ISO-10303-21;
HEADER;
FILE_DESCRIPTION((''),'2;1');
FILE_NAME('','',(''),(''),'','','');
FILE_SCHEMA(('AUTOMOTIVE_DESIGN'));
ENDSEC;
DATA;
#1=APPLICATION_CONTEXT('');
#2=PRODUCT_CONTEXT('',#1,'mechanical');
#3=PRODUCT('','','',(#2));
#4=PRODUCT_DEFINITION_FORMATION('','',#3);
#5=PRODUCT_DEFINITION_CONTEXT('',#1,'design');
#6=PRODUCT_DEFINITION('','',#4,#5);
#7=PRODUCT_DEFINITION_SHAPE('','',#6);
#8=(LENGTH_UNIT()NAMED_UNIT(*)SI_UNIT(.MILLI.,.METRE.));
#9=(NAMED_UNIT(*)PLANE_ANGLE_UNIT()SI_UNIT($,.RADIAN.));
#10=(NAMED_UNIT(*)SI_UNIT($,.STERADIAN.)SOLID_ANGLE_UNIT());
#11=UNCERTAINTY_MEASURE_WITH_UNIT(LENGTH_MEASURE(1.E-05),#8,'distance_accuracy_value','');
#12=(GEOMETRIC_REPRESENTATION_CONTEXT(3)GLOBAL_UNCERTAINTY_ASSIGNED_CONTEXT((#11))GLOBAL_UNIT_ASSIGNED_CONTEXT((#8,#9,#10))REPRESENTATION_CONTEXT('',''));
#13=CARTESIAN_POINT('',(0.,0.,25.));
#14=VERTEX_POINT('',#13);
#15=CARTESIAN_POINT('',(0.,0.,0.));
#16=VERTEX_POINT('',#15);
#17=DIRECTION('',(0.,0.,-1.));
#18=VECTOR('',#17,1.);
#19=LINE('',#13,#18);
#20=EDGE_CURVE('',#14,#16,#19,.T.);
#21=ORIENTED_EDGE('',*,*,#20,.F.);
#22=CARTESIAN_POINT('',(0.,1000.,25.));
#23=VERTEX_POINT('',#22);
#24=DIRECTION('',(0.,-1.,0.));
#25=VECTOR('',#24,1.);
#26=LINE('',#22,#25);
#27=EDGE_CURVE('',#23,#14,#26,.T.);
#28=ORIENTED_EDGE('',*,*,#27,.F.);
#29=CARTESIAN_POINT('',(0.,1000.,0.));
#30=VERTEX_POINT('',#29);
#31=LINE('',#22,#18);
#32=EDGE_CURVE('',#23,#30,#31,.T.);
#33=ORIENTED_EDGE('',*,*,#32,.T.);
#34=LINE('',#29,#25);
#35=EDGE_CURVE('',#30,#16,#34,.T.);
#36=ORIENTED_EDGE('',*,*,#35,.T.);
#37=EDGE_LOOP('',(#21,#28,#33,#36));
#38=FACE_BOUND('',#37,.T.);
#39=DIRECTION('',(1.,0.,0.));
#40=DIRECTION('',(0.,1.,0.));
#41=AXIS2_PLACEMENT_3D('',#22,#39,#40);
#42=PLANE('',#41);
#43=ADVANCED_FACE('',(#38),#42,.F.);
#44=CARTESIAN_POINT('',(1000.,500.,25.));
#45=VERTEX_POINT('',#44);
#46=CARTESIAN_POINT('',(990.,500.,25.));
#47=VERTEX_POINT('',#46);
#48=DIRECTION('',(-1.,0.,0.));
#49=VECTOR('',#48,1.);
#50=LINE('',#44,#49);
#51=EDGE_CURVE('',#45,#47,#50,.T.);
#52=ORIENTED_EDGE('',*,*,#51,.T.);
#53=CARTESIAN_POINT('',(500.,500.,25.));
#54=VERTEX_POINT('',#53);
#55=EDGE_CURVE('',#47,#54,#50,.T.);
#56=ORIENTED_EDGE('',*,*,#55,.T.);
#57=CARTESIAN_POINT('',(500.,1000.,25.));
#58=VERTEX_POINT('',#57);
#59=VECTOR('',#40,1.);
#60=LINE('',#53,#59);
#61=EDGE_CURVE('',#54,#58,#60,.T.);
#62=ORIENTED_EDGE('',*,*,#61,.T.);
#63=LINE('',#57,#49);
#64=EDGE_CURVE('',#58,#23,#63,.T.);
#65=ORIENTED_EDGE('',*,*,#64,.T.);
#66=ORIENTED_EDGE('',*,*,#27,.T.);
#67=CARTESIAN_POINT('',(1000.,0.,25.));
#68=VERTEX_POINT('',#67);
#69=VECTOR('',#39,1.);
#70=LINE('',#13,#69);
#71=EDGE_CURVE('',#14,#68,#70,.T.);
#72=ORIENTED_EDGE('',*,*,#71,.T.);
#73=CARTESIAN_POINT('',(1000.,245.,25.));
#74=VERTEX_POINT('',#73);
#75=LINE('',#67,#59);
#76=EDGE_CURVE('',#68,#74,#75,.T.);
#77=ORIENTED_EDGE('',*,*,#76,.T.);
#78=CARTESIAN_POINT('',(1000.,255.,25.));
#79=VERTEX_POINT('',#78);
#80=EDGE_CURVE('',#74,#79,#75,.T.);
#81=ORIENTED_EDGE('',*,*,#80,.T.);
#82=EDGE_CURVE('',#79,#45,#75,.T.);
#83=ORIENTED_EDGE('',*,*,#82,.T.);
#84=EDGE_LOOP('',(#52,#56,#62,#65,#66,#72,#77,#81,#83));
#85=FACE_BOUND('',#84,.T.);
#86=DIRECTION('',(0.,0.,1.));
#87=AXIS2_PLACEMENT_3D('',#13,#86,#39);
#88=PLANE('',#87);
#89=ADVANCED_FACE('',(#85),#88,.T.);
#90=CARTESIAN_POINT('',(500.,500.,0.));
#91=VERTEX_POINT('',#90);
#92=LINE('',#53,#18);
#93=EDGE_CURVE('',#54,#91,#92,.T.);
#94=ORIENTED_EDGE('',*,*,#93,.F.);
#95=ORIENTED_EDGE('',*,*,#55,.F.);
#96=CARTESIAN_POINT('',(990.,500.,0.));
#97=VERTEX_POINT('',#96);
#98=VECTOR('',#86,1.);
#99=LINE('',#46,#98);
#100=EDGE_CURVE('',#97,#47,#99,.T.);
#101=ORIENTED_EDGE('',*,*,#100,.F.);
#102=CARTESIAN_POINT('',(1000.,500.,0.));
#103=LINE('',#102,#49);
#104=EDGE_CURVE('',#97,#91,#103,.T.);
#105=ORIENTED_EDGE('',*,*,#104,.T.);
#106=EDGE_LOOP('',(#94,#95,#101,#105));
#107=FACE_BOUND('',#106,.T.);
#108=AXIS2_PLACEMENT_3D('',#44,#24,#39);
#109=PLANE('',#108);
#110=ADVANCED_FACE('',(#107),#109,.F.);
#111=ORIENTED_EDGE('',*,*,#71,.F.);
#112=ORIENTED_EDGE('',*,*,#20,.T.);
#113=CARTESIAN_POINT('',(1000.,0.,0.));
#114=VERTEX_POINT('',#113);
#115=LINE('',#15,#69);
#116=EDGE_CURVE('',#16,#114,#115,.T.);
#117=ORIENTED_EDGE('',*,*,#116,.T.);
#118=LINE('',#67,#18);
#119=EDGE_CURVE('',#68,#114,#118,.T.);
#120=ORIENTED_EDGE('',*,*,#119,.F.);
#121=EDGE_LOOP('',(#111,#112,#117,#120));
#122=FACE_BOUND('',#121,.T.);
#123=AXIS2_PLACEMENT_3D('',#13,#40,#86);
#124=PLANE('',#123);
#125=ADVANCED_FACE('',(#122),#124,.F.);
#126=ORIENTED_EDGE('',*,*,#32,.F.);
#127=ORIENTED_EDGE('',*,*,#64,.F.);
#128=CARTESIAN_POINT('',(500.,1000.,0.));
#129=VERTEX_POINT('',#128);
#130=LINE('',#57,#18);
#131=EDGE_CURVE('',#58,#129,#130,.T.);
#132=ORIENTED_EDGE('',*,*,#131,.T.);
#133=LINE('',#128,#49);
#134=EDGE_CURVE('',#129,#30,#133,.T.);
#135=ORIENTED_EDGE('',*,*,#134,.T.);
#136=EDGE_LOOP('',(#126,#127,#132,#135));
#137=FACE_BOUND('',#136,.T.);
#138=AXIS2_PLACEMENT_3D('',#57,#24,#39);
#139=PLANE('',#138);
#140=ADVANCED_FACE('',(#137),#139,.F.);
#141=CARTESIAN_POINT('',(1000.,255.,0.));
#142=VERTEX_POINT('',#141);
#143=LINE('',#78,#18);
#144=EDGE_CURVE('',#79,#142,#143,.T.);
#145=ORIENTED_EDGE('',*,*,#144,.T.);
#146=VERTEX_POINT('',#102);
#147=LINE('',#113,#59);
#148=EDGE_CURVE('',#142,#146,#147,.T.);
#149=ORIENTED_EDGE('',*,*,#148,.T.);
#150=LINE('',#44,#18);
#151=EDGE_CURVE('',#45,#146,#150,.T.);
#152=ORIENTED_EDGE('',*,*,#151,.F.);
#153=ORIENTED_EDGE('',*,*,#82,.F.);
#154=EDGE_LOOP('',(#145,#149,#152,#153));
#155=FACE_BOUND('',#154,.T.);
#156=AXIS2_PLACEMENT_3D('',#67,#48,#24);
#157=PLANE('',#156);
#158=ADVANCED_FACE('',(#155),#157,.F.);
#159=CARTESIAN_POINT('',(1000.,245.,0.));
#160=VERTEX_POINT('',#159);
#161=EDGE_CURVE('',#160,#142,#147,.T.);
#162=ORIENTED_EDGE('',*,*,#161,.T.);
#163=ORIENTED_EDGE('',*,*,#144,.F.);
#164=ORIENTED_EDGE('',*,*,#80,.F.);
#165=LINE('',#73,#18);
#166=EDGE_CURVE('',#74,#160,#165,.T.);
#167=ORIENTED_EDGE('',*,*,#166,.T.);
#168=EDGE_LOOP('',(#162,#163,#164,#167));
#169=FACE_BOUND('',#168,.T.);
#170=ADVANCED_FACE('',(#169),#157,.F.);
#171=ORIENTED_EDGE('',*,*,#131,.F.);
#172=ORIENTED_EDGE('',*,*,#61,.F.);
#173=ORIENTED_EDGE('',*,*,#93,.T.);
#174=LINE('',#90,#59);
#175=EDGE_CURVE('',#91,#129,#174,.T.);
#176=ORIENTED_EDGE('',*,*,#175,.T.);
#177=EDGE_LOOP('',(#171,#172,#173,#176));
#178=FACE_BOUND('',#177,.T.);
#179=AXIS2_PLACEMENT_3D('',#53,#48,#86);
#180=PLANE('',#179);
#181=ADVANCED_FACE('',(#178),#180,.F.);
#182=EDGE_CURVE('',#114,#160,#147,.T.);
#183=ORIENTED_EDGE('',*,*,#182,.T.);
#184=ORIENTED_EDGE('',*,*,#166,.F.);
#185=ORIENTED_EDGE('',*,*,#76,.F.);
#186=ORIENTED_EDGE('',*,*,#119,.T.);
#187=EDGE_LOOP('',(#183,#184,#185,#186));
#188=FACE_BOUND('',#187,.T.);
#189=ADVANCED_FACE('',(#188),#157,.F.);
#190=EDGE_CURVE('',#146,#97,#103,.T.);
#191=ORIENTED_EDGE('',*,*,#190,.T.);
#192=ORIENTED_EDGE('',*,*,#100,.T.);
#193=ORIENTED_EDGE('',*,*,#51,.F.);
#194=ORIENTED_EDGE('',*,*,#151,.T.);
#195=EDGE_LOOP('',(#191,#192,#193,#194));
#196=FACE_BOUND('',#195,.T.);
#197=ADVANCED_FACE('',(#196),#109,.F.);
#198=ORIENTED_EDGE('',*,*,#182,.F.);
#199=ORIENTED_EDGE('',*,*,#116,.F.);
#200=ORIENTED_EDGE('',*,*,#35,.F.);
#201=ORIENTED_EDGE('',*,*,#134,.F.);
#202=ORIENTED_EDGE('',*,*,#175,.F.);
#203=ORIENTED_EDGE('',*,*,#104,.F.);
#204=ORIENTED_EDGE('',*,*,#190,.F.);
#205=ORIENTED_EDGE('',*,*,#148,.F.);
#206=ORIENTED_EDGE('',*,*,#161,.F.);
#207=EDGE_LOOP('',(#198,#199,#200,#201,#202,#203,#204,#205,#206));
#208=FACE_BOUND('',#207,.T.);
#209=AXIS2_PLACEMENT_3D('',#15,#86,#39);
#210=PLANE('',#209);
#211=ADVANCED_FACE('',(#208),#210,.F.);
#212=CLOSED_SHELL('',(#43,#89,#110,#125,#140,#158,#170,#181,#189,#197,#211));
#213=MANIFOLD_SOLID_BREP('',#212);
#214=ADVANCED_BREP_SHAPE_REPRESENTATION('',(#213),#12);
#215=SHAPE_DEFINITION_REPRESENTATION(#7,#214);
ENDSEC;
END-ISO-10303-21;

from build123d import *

# Parameters (mm, degrees)
BOSS_EXTRUDE1_DEPTH = 25


with BuildPart() as part:
    # Sketch1 → Boss-Extrude1 (new body)
    with BuildSketch(Plane.XY):
        Polygon((0, 0), (1000, 0), (1000, 500), (500, 500), (500, 1000), (0, 1000), align=None)
    extrude(amount=BOSS_EXTRUDE1_DEPTH)


solid = part.part
